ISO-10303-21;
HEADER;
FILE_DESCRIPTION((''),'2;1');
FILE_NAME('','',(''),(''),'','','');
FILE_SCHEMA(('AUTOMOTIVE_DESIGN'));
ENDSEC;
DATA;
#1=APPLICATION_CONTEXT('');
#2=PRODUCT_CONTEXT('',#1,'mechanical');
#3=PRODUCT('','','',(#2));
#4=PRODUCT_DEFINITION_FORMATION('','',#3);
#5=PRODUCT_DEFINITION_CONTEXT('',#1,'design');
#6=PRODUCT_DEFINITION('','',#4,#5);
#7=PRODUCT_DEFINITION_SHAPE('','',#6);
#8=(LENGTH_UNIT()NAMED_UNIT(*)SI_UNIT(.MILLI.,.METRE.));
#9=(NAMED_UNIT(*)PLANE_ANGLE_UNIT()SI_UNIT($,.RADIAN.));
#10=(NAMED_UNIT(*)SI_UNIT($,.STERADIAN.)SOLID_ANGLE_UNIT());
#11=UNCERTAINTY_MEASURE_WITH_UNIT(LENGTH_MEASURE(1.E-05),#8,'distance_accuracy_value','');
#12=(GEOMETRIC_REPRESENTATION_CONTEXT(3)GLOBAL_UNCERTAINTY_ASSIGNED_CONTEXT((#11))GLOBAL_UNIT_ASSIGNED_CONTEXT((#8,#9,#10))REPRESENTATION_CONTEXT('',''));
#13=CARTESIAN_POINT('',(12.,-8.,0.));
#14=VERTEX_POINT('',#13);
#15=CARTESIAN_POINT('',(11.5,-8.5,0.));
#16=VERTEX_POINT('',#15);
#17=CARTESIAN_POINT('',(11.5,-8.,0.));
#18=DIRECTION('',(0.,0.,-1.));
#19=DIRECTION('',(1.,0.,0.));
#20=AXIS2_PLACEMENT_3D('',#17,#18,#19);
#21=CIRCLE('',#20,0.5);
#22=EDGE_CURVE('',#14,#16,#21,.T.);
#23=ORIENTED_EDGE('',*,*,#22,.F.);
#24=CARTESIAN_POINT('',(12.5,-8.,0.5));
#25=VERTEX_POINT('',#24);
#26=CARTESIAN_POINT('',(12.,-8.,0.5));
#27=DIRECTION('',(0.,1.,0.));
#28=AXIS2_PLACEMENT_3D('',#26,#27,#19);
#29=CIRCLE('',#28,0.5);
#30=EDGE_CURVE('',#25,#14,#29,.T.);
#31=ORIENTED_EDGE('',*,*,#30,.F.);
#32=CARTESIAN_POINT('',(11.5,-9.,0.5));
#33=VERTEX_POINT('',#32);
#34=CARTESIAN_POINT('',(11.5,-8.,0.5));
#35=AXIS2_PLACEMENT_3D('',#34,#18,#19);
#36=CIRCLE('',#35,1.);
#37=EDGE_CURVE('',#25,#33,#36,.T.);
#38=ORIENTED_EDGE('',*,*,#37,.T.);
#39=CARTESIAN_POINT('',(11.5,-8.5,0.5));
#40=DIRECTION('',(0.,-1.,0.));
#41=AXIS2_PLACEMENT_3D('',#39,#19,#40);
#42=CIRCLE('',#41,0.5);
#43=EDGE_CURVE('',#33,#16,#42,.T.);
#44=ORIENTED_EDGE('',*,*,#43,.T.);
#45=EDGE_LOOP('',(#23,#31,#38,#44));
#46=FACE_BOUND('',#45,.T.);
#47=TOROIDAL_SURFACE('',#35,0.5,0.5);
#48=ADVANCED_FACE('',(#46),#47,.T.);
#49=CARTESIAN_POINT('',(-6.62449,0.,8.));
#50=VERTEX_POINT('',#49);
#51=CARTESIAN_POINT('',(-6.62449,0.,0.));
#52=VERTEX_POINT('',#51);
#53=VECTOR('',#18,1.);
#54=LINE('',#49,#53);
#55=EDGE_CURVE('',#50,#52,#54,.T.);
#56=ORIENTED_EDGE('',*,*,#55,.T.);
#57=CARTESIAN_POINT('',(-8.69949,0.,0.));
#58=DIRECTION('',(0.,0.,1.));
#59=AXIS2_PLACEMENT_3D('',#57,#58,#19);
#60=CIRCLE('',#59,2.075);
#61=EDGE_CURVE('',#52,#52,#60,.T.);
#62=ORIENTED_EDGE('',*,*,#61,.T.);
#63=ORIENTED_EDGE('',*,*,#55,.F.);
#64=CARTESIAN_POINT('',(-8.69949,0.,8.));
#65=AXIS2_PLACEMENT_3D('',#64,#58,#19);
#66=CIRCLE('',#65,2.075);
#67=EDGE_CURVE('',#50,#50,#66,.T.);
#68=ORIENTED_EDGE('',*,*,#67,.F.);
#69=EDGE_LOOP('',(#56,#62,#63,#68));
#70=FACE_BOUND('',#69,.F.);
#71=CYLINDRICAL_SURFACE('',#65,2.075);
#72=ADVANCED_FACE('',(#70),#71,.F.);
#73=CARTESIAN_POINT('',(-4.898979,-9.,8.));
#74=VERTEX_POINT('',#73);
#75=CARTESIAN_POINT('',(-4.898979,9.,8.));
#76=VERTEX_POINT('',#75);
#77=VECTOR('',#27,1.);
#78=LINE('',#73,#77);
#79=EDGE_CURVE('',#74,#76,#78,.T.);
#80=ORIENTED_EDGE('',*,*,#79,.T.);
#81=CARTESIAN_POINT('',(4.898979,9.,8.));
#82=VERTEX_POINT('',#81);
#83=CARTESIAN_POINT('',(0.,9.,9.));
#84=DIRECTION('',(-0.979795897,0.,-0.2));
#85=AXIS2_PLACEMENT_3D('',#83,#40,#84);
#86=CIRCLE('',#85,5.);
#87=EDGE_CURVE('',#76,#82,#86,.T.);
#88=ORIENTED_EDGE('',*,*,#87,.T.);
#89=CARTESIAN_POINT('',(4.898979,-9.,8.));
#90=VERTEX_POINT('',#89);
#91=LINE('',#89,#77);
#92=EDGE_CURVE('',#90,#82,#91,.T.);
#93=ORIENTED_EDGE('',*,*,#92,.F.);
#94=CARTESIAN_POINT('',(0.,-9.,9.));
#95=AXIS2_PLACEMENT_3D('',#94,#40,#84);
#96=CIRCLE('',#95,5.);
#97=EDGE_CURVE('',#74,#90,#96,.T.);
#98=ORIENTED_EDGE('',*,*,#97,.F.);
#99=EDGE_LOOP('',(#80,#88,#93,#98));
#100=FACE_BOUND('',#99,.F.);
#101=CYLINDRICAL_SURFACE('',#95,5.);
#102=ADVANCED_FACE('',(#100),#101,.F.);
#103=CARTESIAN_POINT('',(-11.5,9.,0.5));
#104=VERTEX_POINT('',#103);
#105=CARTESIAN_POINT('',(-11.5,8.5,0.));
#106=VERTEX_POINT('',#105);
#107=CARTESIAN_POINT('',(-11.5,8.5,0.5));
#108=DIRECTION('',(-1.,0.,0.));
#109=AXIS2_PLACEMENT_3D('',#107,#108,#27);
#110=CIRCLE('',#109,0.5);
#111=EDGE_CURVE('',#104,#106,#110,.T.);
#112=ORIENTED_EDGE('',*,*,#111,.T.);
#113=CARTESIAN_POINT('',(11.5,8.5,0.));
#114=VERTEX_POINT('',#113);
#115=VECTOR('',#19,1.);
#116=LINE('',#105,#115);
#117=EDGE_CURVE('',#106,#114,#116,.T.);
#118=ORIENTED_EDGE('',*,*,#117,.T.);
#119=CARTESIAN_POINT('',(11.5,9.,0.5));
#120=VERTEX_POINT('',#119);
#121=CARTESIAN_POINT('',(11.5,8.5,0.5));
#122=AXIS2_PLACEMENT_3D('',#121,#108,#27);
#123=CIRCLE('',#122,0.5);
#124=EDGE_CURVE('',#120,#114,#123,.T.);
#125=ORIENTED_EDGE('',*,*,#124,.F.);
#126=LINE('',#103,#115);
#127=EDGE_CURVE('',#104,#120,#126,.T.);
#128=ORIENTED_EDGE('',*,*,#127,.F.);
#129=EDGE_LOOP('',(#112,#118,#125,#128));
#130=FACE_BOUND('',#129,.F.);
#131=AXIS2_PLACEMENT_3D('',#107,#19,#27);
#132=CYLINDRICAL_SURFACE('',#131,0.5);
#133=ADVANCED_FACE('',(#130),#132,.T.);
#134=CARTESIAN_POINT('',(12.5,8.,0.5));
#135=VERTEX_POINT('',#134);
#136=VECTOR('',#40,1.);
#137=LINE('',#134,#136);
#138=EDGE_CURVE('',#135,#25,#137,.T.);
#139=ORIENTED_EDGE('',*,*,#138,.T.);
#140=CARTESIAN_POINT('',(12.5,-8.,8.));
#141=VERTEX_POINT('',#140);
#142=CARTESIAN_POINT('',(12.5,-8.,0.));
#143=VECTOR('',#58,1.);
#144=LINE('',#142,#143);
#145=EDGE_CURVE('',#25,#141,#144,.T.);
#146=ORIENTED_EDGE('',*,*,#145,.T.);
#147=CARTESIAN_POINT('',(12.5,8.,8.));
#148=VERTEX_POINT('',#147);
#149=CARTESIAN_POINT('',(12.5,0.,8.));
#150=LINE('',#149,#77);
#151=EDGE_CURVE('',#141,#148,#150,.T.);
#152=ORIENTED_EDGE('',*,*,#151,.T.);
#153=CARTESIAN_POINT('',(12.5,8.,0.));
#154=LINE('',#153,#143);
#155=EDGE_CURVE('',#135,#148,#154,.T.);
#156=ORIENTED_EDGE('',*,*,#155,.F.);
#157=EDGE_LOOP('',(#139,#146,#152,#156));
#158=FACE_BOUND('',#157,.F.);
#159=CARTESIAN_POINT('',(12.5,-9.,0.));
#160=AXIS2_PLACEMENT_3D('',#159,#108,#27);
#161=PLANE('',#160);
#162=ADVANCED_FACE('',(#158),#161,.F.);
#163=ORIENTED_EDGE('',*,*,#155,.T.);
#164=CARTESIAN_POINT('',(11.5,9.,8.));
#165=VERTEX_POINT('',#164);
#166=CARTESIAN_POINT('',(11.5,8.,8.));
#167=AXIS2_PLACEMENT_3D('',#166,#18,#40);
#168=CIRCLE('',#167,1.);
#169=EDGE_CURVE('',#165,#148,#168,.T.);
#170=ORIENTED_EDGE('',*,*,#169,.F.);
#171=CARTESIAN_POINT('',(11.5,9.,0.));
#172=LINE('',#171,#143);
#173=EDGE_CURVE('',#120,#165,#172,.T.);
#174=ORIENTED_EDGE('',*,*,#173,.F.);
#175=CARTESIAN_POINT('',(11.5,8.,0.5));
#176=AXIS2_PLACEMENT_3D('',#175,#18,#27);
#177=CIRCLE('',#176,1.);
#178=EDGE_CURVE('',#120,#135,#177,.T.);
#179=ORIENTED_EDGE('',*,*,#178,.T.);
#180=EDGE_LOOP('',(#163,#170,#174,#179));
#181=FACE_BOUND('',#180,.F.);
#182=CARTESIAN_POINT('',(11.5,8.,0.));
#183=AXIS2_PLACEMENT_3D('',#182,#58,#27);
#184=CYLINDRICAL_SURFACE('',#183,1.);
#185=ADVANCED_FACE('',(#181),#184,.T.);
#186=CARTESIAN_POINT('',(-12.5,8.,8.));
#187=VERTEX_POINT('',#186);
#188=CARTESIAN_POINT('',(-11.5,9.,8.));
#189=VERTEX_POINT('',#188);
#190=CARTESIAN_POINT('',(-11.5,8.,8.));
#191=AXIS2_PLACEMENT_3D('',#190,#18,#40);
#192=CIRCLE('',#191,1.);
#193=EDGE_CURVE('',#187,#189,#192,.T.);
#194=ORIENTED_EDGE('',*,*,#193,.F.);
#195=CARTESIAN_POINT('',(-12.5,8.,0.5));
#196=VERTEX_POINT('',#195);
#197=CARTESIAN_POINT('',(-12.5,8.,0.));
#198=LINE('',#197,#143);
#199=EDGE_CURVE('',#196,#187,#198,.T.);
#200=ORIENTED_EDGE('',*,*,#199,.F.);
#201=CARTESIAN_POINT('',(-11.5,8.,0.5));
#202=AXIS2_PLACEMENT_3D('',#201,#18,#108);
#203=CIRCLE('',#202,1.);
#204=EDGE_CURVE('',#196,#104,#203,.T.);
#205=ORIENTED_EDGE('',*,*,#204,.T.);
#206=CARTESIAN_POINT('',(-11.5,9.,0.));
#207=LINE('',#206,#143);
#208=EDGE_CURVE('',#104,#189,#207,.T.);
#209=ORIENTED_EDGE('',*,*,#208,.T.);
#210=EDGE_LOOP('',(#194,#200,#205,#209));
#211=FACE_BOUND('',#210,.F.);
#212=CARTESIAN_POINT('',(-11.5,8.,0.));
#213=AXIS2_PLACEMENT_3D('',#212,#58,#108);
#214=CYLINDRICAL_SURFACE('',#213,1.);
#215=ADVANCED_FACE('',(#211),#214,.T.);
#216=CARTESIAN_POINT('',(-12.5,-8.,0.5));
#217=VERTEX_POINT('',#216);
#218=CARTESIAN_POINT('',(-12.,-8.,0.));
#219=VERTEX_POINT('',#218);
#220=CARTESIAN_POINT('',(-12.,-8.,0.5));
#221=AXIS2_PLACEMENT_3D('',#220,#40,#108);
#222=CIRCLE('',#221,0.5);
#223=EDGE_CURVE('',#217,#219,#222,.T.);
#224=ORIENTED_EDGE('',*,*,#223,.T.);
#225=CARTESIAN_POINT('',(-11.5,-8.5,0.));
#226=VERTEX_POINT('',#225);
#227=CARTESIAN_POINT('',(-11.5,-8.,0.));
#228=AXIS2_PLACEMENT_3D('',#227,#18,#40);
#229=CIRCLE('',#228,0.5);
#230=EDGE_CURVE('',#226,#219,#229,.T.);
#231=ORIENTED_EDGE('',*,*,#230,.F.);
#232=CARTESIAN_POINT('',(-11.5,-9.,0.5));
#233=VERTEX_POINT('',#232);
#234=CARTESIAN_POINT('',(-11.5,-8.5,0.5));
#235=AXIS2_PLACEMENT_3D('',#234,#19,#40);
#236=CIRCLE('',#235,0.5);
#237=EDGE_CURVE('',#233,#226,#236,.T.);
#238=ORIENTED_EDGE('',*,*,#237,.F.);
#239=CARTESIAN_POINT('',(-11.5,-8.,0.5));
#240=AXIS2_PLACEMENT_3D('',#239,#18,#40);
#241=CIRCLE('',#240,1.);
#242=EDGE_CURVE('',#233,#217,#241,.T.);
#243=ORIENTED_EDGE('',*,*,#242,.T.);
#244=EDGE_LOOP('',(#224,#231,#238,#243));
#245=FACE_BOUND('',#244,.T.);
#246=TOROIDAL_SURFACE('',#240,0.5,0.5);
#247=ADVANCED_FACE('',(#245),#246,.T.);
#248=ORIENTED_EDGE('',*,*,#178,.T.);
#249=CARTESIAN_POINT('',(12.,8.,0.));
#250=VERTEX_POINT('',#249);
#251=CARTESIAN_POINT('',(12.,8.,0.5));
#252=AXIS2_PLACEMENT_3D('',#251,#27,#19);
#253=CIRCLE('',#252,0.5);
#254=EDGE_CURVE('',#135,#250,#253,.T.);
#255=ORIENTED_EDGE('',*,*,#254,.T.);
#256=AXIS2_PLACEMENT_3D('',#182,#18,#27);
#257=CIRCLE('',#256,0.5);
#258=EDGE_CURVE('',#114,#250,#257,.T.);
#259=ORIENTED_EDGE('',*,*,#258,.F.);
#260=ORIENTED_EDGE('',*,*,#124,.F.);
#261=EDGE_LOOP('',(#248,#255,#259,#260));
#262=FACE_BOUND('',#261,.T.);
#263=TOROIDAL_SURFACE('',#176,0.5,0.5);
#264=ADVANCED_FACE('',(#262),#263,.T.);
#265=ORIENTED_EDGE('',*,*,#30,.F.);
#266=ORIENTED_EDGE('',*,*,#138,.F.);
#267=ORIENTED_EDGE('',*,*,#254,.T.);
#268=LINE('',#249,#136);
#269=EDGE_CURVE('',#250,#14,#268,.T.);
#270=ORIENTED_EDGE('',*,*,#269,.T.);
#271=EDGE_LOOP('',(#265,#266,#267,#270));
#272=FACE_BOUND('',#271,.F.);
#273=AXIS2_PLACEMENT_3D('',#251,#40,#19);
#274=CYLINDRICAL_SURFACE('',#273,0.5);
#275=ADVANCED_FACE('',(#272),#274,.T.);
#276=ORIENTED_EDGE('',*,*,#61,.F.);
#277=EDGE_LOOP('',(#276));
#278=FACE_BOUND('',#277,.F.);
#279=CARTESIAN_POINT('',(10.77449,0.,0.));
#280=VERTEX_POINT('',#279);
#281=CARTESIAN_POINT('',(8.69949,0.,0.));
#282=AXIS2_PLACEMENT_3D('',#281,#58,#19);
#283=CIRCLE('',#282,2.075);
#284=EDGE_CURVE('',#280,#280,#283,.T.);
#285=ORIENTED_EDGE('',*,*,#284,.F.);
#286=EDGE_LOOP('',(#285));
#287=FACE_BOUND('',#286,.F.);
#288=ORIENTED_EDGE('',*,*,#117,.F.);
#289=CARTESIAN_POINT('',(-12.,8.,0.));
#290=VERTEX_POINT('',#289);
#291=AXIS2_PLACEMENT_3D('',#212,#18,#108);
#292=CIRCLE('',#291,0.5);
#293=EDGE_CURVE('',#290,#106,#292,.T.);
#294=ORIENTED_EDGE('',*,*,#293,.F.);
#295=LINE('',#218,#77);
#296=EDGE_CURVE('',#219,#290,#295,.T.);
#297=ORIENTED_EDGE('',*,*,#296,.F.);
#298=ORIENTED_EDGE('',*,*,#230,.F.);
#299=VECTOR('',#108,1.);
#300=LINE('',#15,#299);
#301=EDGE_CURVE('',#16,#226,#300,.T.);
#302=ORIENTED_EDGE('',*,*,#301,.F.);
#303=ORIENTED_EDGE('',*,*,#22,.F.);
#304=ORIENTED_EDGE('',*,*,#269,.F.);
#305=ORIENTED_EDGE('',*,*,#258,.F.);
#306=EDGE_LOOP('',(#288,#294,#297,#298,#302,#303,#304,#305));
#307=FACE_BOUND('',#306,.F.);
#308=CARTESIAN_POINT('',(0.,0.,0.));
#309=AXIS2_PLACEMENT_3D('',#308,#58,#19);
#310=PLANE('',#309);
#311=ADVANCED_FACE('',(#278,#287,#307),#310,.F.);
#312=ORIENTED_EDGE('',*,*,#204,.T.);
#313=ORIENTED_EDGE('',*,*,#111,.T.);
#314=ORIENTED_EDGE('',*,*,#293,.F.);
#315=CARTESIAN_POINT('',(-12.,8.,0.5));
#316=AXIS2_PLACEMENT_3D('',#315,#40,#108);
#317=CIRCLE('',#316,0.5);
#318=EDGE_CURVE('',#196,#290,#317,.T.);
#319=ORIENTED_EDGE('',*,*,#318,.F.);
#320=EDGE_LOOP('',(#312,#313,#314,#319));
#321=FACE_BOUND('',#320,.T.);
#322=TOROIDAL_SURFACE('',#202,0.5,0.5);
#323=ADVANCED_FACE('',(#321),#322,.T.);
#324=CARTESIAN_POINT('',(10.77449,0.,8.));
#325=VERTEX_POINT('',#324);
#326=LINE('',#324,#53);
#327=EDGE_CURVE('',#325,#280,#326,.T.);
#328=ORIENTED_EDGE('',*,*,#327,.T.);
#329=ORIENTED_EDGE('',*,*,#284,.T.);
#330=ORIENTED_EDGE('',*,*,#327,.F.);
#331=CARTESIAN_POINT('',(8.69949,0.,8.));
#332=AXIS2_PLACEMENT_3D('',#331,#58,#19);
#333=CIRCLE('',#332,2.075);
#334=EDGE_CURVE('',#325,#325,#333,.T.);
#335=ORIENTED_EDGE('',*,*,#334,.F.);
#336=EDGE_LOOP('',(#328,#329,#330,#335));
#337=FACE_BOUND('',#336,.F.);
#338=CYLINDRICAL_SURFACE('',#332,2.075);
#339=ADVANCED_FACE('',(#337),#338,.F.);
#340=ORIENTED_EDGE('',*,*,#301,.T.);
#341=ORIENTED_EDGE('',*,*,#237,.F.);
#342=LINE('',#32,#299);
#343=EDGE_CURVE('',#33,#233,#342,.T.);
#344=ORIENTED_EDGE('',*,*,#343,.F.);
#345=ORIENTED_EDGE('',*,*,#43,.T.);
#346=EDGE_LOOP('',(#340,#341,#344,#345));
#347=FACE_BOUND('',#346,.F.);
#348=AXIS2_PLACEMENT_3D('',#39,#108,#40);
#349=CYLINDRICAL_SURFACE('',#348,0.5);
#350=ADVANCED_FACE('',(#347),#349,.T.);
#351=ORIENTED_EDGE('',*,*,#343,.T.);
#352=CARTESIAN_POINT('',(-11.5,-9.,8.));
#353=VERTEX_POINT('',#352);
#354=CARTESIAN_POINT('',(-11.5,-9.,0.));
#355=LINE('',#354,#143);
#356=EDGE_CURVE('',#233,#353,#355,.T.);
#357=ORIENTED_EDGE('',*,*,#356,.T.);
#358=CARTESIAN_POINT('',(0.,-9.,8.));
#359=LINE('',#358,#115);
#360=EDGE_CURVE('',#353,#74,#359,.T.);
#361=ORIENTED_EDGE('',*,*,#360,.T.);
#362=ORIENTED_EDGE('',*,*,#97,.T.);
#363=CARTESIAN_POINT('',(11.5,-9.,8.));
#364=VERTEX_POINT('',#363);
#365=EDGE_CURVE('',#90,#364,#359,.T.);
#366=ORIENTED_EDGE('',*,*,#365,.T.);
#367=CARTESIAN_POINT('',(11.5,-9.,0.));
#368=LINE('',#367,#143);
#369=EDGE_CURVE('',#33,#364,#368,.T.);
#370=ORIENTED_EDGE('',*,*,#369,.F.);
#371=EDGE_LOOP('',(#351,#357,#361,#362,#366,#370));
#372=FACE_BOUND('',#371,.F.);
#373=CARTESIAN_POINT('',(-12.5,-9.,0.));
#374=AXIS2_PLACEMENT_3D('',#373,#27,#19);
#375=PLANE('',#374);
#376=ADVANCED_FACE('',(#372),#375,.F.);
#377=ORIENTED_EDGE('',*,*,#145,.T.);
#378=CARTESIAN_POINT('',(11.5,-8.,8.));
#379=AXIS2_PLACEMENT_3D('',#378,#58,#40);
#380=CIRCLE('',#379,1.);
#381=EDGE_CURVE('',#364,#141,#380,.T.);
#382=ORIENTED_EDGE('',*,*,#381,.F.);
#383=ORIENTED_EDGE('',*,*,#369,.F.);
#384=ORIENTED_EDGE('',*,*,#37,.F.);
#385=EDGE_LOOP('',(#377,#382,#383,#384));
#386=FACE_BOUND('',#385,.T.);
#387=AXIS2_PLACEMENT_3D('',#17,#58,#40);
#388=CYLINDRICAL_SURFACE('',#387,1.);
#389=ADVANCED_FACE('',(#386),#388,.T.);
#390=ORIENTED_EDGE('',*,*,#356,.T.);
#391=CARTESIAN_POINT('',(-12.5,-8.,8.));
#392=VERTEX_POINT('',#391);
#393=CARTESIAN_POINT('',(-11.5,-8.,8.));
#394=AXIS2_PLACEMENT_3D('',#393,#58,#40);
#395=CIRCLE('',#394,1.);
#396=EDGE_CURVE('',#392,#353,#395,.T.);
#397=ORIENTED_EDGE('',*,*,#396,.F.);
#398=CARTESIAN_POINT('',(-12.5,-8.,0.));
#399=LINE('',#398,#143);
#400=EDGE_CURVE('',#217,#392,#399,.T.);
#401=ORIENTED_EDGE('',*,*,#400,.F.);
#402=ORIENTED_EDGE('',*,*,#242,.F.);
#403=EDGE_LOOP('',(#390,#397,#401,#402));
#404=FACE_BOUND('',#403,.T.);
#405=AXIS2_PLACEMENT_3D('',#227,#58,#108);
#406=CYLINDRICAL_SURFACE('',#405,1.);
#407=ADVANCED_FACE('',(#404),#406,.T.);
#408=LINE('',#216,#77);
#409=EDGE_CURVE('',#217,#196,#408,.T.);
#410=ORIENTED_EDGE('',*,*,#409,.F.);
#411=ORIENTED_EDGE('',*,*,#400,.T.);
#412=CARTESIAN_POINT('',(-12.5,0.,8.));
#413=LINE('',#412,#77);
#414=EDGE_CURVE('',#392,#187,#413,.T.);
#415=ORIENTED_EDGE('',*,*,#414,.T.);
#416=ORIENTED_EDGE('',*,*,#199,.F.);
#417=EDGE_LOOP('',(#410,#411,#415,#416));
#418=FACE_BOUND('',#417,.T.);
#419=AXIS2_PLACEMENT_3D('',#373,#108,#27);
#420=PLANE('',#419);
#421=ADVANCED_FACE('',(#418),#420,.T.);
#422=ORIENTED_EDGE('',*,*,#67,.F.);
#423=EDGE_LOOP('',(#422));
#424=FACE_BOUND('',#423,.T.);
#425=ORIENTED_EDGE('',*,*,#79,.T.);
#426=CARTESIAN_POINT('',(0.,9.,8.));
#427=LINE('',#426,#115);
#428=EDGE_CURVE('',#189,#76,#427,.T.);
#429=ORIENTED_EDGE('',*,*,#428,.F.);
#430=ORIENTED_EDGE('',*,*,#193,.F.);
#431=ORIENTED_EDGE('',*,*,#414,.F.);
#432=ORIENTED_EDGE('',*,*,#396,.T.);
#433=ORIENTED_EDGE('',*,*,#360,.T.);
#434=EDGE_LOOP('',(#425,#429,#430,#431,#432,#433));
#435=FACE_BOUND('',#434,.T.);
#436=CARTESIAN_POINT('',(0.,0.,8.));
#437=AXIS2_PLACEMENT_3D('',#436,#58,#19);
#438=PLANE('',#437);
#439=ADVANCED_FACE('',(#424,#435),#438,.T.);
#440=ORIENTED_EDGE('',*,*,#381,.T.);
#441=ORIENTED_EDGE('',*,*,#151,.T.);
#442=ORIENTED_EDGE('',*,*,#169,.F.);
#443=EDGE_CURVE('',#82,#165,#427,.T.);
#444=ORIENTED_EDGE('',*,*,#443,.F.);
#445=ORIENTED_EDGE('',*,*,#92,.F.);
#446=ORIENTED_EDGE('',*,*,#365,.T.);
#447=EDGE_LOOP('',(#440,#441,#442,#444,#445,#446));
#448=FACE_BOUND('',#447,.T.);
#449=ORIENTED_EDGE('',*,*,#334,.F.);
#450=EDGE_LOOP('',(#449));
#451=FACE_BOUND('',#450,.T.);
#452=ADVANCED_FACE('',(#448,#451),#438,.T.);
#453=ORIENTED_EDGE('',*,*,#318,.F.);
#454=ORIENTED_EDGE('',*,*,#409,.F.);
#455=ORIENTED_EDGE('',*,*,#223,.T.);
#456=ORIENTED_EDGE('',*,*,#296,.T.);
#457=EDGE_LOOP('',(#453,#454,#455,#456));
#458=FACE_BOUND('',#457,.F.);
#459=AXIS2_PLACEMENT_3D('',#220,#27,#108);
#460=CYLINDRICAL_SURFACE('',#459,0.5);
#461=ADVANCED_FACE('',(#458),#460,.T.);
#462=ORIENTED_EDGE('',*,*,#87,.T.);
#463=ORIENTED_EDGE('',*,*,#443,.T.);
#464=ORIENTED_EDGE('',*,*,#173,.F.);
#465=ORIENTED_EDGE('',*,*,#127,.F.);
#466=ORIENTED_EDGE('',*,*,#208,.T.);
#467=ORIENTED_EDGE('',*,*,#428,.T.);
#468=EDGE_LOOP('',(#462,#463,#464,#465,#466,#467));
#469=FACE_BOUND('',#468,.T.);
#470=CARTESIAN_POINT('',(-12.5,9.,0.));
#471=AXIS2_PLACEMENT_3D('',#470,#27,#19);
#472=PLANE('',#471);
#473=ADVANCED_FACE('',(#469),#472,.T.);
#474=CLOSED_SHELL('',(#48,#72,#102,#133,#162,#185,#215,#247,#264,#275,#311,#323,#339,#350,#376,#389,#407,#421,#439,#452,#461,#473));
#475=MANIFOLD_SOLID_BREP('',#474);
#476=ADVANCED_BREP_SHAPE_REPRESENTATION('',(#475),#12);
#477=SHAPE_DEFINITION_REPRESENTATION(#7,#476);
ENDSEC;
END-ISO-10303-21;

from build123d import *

# Parameters (mm, degrees)
F0_W     = 25
F0_H     = 18
F1_DEPTH = 8
F3_DEPTH = 25
F4_R     = 2.075
F5_R     = 2.075
F6_DEPTH = 25
F7_R     = 1
F8_R     = 0.5


with BuildPart() as f1:
    # F0 (on Top) → F1 (new body)
    with BuildSketch(Plane.XY):
        Rectangle(F0_W, F0_H)
    extrude(amount=F1_DEPTH)

    # F2 (on face) → F3 (cut)
    with BuildSketch(Plane.XZ.offset(9)):
        with BuildLine():
            Line((4.8989794856, 8), (-4.8989794856, 8))
            ThreePointArc((-4.8989794856, 8), (0, 4), (4.8989794856, 8))
        make_face()
    extrude(amount=-F3_DEPTH, mode=Mode.SUBTRACT)

    # F4 (on face) + F5 (on face) → F6 (cut)
    with BuildSketch(Plane.XY.offset(8)):
        with Locations((-8.6994897428, 0)):
            Circle(F4_R)
    with BuildSketch(Plane.XY.offset(8)):
        with Locations((8.6994897428, 0)):
            Circle(F5_R)
    extrude(amount=-F6_DEPTH, mode=Mode.SUBTRACT)

    # F7
    f7_edges = [f1.edges().sort_by_distance(p)[0] for p in [
        (-12.5, -9, 4),
        (12.5, -9, 4),
        (12.5, 9, 4),
        (-12.5, 9, 4),
    ]]
    fillet(f7_edges, radius=F7_R)

    # F8
    f8_edges = [f1.edges().sort_by_distance(p)[0] for p in [
        (-12.5, 0, 0),
    ]]
    fillet(f8_edges, radius=F8_R)


solid = f1.part
